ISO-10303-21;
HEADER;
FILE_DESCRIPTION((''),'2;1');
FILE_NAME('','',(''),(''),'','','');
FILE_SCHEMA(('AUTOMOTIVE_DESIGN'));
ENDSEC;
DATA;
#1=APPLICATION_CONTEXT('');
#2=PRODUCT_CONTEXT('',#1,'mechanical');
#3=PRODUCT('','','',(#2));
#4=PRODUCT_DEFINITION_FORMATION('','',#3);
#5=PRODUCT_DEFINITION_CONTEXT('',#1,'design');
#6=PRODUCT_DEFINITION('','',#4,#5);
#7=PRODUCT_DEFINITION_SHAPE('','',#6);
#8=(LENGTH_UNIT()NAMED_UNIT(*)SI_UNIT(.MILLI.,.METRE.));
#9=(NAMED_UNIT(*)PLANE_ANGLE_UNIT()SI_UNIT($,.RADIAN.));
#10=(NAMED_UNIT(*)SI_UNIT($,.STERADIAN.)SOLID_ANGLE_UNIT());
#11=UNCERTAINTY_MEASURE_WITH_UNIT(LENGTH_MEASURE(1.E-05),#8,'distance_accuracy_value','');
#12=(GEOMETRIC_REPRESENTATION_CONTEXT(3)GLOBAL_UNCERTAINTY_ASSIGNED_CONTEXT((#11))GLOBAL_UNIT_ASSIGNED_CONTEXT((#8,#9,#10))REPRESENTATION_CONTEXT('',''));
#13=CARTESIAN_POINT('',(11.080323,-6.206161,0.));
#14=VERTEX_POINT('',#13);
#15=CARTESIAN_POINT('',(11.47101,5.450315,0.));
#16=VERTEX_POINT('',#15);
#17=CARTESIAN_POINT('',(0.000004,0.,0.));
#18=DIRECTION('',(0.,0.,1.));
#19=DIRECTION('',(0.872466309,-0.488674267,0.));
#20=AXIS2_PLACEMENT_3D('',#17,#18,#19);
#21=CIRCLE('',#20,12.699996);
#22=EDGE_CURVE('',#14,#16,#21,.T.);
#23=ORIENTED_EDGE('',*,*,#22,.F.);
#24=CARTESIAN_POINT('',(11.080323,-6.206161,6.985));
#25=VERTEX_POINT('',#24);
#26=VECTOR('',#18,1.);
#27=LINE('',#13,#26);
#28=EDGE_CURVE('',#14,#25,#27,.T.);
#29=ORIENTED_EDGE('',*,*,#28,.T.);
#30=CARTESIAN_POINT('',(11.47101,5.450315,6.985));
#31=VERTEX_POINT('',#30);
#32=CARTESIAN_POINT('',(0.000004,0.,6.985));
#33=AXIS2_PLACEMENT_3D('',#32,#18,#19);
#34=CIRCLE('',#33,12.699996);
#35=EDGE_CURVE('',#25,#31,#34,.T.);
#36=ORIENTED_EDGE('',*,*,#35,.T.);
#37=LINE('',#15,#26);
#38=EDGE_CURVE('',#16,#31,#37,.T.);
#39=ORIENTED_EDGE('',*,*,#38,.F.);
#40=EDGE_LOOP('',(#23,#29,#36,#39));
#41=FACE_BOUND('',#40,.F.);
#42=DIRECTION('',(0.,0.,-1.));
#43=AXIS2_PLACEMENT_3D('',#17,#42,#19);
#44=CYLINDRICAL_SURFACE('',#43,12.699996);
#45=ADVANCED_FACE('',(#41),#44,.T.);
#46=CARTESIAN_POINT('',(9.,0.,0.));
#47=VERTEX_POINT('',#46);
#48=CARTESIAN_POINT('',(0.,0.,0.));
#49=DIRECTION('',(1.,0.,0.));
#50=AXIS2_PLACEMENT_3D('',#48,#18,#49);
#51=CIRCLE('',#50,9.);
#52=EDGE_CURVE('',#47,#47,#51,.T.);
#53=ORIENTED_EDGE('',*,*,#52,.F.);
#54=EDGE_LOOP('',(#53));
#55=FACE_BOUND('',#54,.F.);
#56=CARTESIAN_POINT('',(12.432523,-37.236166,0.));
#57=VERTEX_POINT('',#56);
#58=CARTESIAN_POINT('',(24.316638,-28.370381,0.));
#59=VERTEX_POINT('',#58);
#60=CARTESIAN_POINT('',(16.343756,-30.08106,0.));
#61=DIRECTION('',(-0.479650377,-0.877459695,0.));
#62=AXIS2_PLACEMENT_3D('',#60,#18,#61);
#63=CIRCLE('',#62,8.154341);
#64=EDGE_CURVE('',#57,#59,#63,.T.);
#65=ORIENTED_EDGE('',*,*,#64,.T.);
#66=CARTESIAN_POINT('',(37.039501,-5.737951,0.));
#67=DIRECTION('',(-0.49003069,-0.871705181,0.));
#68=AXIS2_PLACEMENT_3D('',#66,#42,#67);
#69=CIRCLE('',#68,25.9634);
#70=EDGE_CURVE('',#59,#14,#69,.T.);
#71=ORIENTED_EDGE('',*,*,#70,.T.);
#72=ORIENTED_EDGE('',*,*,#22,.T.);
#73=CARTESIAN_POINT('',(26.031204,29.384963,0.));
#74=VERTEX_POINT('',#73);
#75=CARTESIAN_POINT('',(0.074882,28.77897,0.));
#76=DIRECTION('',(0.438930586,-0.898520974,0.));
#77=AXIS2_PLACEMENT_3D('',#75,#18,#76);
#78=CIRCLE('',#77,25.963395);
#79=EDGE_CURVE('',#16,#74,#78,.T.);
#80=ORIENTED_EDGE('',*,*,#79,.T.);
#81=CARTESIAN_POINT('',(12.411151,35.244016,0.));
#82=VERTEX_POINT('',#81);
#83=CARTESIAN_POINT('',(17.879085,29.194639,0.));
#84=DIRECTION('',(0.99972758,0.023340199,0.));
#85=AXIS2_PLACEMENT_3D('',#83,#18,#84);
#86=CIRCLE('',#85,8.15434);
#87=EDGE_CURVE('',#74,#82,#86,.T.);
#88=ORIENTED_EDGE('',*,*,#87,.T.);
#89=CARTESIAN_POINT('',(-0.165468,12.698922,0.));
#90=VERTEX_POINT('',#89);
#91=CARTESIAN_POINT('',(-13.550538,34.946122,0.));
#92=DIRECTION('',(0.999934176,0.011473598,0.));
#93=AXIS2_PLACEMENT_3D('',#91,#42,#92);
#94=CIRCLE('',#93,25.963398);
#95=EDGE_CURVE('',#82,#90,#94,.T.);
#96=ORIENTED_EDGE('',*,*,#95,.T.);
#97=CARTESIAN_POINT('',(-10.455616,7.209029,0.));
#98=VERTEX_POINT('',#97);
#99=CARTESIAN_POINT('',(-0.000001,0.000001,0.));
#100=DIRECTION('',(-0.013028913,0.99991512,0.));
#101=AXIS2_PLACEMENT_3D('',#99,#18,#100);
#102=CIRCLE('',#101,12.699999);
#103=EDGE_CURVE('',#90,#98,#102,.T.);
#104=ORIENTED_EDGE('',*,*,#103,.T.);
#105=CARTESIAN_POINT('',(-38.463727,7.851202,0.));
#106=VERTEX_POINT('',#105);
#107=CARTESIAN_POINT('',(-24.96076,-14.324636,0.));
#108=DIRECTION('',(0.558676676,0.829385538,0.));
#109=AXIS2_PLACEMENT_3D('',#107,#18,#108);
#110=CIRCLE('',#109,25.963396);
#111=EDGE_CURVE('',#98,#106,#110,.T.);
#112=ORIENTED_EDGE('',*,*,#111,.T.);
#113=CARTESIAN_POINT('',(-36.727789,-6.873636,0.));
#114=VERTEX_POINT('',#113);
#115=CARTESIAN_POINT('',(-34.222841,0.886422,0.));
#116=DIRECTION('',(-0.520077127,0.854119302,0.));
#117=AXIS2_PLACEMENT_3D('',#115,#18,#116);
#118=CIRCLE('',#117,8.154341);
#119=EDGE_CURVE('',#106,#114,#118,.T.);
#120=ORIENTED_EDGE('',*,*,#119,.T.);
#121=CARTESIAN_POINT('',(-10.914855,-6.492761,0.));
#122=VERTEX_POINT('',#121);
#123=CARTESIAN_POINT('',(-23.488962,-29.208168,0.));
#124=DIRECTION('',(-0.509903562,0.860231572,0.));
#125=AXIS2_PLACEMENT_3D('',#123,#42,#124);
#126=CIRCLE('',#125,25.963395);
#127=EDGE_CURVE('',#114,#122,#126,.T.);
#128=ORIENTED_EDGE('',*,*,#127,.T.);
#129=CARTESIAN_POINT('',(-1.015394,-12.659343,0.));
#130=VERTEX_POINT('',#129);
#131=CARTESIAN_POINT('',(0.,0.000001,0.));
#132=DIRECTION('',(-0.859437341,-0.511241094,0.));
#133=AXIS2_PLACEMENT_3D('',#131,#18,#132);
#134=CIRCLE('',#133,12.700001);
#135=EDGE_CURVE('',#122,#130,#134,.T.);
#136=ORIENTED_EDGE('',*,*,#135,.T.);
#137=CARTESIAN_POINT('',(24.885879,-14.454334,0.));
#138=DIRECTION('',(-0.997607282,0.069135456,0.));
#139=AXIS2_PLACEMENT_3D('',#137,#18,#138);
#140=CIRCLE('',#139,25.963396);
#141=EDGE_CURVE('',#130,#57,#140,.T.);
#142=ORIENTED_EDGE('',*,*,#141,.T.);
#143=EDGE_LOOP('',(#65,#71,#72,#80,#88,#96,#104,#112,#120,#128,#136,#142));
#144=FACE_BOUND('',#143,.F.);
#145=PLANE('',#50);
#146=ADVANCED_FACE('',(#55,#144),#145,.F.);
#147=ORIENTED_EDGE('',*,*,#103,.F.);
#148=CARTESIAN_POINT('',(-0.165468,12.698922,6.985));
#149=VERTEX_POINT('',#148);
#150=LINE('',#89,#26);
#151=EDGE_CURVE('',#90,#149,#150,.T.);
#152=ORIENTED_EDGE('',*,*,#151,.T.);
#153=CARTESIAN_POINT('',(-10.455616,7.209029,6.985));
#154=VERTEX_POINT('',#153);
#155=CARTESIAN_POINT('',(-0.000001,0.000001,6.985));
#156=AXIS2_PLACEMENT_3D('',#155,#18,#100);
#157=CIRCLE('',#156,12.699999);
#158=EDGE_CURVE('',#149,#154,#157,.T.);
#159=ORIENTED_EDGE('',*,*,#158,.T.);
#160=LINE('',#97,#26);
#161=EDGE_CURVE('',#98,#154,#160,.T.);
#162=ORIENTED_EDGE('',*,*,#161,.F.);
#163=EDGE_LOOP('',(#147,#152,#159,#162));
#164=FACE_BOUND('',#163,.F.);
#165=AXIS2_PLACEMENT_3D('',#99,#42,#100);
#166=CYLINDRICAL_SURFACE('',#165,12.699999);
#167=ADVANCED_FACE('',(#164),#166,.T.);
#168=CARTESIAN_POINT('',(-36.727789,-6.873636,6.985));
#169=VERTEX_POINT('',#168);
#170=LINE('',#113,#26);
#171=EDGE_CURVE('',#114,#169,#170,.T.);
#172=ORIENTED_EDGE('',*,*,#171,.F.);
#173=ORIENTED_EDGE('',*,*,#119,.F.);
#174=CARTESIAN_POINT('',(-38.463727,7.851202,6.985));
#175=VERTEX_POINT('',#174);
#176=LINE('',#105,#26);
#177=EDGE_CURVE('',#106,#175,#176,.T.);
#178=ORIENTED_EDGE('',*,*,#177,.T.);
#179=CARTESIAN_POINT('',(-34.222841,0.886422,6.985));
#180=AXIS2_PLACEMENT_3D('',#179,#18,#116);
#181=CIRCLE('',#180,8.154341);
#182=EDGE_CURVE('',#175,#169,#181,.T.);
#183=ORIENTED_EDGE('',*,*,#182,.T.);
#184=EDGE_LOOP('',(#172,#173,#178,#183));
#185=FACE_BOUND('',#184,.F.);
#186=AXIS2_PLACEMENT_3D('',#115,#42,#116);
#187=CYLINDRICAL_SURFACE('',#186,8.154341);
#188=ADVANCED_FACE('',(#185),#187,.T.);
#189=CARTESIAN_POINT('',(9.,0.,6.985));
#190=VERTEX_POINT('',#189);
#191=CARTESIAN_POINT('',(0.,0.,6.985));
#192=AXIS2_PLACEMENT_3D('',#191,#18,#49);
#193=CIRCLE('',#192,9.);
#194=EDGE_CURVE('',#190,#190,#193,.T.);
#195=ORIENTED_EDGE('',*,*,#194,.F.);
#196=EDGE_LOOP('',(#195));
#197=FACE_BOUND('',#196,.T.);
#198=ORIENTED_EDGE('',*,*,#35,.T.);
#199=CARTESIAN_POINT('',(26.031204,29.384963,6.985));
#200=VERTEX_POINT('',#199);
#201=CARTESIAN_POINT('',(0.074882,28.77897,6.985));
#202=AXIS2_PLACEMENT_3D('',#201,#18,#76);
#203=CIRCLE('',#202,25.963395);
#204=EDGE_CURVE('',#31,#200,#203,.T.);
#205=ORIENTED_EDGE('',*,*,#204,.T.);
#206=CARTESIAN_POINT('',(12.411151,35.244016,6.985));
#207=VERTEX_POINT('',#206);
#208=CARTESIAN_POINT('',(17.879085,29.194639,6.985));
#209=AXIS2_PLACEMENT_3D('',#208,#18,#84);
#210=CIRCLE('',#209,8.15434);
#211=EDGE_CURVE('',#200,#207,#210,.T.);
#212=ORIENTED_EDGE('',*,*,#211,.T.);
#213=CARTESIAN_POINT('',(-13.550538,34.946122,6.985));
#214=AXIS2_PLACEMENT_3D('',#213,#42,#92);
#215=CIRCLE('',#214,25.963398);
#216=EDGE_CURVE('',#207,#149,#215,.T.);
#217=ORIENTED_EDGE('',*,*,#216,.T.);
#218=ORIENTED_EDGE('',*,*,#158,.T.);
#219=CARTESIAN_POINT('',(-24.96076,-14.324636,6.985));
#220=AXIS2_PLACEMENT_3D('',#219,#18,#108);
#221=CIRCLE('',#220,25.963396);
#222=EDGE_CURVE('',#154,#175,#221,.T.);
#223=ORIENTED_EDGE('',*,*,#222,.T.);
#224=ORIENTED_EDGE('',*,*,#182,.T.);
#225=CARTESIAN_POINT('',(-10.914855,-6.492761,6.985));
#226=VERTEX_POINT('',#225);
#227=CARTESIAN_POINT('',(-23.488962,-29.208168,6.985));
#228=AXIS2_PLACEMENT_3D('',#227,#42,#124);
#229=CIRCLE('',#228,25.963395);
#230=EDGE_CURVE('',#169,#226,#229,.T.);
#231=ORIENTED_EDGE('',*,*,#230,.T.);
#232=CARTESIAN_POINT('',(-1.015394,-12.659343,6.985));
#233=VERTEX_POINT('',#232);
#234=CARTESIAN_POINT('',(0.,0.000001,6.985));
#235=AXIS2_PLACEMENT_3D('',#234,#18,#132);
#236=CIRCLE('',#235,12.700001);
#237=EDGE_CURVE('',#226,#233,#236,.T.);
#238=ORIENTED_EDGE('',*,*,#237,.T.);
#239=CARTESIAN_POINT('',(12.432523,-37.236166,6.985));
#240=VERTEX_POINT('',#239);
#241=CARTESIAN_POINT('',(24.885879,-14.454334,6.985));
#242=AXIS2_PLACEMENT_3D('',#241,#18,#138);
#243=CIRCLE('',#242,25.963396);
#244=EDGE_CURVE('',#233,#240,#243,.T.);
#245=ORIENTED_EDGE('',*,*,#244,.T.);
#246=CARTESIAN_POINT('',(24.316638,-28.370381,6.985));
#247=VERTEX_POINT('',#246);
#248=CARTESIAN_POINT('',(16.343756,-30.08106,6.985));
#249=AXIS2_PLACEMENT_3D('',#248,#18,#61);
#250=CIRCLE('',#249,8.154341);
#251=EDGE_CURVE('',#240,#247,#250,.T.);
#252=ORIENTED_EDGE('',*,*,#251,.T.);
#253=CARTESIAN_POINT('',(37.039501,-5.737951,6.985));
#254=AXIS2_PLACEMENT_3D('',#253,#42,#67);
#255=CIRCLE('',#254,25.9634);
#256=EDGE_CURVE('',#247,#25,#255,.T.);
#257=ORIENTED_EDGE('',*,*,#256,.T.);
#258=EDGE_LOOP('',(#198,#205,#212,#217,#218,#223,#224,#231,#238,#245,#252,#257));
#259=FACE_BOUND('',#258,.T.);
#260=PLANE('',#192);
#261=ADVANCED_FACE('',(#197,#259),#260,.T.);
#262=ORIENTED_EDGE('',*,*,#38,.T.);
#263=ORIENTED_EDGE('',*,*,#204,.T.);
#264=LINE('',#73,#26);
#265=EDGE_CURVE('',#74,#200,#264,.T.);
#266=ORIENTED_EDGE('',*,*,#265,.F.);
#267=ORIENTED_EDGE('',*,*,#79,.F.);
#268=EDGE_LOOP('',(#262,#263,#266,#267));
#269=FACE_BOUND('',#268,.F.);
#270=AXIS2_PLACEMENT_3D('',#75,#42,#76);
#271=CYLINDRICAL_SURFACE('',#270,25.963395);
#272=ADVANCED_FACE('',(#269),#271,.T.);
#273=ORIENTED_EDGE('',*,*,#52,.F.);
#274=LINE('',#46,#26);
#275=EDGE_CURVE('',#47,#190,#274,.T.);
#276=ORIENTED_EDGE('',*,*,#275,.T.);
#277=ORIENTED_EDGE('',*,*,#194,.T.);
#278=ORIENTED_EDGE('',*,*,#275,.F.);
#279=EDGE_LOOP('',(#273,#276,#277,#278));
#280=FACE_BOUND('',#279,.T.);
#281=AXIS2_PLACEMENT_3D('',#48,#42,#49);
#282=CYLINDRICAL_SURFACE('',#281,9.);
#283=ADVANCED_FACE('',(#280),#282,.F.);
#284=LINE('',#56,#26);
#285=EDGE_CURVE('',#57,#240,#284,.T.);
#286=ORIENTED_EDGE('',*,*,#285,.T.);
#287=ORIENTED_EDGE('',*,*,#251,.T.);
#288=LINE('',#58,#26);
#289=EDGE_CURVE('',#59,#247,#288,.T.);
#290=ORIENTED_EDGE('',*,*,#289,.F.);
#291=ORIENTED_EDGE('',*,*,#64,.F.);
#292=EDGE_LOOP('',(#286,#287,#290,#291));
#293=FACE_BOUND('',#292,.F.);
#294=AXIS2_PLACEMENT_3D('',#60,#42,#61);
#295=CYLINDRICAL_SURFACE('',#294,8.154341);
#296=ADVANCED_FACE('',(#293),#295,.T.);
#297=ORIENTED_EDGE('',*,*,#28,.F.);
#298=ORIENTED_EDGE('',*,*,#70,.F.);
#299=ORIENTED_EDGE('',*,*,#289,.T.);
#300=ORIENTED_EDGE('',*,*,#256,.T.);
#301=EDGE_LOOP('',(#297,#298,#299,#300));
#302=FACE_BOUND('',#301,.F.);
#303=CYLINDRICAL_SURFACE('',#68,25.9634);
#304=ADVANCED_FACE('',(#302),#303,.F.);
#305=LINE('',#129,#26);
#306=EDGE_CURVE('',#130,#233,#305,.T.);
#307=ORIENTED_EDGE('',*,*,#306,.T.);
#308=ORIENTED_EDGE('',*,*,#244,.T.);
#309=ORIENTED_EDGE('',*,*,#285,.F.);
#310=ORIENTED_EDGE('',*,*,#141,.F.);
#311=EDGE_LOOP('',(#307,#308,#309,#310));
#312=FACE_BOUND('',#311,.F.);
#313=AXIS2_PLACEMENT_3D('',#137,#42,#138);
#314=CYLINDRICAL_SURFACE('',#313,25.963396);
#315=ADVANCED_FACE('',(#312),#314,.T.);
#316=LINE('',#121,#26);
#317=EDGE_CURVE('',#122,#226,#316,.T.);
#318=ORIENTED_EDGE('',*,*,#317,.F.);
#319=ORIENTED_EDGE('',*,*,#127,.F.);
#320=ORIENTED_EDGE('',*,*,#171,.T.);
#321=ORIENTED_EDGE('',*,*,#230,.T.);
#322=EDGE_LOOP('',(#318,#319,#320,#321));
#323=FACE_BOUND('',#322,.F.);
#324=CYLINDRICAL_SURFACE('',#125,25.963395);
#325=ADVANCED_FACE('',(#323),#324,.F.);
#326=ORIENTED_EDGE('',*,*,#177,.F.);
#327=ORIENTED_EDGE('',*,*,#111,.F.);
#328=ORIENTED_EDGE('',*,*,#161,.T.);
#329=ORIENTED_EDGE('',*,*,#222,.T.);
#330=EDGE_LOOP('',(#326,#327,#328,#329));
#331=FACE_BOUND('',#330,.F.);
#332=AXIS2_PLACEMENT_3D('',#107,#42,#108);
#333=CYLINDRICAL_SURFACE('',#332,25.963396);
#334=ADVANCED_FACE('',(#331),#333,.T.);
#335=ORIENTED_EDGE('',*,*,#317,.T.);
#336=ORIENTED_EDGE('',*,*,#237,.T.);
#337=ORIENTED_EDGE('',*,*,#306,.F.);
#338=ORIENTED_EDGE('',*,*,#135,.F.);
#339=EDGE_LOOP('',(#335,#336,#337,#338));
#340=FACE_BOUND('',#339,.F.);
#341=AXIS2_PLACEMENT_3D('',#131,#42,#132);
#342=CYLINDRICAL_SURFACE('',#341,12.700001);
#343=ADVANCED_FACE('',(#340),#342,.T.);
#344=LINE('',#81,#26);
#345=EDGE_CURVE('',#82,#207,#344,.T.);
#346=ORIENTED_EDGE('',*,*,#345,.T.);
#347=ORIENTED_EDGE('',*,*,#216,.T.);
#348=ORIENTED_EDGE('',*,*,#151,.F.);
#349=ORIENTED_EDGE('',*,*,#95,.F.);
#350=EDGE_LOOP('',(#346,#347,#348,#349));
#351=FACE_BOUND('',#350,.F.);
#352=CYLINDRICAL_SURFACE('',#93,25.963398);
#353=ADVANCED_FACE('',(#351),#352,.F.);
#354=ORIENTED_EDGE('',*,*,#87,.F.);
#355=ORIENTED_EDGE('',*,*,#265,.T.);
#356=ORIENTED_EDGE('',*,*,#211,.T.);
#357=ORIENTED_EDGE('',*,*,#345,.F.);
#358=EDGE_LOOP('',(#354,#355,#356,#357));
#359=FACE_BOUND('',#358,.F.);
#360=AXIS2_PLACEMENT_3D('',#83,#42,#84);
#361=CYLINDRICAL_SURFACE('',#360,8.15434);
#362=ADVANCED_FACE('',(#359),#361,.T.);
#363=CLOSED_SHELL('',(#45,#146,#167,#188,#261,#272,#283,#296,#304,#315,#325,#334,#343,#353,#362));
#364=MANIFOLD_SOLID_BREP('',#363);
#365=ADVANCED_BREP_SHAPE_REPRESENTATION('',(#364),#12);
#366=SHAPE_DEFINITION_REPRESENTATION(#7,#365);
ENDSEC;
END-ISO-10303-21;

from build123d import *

# Parameters (mm, degrees)
F0_R     = 9
F1_DEPTH = 6.985


with BuildPart() as f1:
    # F0 (on Top) → F1 (new body)
    with BuildSketch(Plane.XY):
        with BuildLine():
            ThreePointArc((-36.727789, -6.873636), (-23.872015, -3.247599), (-10.914855, -6.492761))
            ThreePointArc((-10.914855, -6.492761), (-6.714864, -10.779638), (-1.015394, -12.659343))
            ThreePointArc((-1.015394, -12.659343), (2.109258, -26.917218), (12.432523, -37.236166))
            ThreePointArc((12.432523, -37.236166), (21.219695, -36.616999), (24.316638, -28.370381))
            ThreePointArc((24.316638, -28.370381), (14.748511, -19.049972), (11.080323, -6.206161))
            ThreePointArc((11.080323, -6.206161), (12.692873, -0.425423), (11.47101, 5.450315))
            ThreePointArc((11.47101, 5.450315), (22.256366, 15.285281), (26.031204, 29.384963))
            ThreePointArc((26.031204, 29.384963), (21.101404, 36.685295), (12.411151, 35.244016))
            ThreePointArc((12.411151, 35.244016), (9.123504, 22.297571), (-0.165468, 12.698922))
            ThreePointArc((-0.165468, 12.698922), (-5.978009, 11.205062), (-10.455616, 7.209029))
            ThreePointArc((-10.455616, 7.209029), (-24.365624, 11.631938), (-38.463727, 7.851202))
            ThreePointArc((-38.463727, 7.851202), (-42.321099, -0.068296), (-36.727789, -6.873636))
        make_face()
        Circle(F0_R, mode=Mode.SUBTRACT)
    extrude(amount=F1_DEPTH)


solid = f1.part
